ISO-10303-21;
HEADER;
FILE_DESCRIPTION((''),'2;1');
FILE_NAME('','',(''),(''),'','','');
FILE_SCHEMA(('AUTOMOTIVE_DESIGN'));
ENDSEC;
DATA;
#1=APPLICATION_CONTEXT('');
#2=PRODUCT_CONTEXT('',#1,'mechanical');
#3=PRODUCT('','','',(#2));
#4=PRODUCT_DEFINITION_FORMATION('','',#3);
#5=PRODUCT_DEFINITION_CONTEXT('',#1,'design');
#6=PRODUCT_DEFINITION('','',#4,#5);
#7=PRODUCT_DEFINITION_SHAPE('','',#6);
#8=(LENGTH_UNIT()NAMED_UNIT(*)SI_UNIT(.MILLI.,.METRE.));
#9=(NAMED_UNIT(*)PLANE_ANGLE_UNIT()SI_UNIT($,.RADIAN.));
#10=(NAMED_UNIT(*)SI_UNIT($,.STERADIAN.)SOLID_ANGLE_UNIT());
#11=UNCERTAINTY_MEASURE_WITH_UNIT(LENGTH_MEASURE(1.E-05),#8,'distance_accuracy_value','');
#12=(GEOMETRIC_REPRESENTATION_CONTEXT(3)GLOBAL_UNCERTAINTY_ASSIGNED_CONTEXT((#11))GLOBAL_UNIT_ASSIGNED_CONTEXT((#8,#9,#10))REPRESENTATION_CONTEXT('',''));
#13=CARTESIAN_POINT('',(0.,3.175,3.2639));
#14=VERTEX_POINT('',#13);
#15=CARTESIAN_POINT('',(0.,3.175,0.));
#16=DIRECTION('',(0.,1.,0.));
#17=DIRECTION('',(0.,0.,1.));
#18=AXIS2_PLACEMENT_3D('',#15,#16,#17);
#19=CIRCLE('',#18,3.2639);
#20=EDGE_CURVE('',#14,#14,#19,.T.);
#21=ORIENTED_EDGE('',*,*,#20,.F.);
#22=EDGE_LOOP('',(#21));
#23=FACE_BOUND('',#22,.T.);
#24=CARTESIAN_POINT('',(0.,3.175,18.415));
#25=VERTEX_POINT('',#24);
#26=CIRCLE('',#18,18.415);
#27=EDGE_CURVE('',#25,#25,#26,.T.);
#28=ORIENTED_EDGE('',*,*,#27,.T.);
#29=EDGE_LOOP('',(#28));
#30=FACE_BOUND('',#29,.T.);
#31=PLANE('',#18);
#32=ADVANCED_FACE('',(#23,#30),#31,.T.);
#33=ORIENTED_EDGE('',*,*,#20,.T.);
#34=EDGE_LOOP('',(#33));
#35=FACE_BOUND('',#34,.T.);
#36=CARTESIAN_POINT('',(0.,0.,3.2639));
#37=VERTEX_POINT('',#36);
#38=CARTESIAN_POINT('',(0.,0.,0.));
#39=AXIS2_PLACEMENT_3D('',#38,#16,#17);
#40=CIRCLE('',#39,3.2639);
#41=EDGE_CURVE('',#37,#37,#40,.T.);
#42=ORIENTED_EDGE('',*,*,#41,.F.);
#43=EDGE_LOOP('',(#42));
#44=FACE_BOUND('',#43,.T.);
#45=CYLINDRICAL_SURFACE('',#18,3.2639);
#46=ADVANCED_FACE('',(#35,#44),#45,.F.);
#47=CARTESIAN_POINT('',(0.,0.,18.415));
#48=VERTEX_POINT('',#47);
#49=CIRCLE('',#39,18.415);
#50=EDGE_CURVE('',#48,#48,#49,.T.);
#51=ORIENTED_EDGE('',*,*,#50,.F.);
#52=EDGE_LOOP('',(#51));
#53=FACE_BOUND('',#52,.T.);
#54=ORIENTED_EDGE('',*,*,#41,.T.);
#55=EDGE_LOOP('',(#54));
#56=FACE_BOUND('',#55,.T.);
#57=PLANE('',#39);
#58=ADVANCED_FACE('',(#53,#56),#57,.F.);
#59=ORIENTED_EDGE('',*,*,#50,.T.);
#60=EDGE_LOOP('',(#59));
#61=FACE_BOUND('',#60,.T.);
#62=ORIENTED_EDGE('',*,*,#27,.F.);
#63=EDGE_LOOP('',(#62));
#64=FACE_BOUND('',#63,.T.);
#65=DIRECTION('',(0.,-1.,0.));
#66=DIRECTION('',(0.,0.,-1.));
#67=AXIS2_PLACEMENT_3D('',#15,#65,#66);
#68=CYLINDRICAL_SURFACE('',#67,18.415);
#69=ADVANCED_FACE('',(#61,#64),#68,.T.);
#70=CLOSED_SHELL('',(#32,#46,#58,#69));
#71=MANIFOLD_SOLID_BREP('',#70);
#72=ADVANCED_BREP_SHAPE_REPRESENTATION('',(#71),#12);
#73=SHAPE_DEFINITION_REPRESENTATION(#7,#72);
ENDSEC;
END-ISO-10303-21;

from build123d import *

# Parameters (mm, degrees)
SKETCH1_R                   = 18.415
BOSS_EXTRUDE1_DEPTH         = 3.175
F_1_4_CLEARANCE_HOLE1_D     = 6.5278
F_1_4_CLEARANCE_HOLE1_DEPTH = 25.4
F_1_4_CLEARANCE_HOLE1_TIP   = 1.961148974


with BuildPart() as part:
    # Sketch1 → Boss-Extrude1 (new body)
    with BuildSketch(Plane(origin=(0, 0, 0), x_dir=(1, 0, 0), z_dir=(0, 1, 0))):
        Circle(SKETCH1_R)
    extrude(amount=BOSS_EXTRUDE1_DEPTH)

    # 1/4 Clearance Hole1
    with Locations(Plane(origin=(0, 3.175, 0), x_dir=(1, 0, 0), z_dir=(0, 1, 0))):
        with Locations((0, 0)):
            Hole(F_1_4_CLEARANCE_HOLE1_D / 2, depth=F_1_4_CLEARANCE_HOLE1_DEPTH)
            with Locations((0, 0, -(F_1_4_CLEARANCE_HOLE1_DEPTH + F_1_4_CLEARANCE_HOLE1_TIP / 2))):  # 118° drill point
                Cone(0, F_1_4_CLEARANCE_HOLE1_D / 2, F_1_4_CLEARANCE_HOLE1_TIP, mode=Mode.SUBTRACT)


solid = part.part
